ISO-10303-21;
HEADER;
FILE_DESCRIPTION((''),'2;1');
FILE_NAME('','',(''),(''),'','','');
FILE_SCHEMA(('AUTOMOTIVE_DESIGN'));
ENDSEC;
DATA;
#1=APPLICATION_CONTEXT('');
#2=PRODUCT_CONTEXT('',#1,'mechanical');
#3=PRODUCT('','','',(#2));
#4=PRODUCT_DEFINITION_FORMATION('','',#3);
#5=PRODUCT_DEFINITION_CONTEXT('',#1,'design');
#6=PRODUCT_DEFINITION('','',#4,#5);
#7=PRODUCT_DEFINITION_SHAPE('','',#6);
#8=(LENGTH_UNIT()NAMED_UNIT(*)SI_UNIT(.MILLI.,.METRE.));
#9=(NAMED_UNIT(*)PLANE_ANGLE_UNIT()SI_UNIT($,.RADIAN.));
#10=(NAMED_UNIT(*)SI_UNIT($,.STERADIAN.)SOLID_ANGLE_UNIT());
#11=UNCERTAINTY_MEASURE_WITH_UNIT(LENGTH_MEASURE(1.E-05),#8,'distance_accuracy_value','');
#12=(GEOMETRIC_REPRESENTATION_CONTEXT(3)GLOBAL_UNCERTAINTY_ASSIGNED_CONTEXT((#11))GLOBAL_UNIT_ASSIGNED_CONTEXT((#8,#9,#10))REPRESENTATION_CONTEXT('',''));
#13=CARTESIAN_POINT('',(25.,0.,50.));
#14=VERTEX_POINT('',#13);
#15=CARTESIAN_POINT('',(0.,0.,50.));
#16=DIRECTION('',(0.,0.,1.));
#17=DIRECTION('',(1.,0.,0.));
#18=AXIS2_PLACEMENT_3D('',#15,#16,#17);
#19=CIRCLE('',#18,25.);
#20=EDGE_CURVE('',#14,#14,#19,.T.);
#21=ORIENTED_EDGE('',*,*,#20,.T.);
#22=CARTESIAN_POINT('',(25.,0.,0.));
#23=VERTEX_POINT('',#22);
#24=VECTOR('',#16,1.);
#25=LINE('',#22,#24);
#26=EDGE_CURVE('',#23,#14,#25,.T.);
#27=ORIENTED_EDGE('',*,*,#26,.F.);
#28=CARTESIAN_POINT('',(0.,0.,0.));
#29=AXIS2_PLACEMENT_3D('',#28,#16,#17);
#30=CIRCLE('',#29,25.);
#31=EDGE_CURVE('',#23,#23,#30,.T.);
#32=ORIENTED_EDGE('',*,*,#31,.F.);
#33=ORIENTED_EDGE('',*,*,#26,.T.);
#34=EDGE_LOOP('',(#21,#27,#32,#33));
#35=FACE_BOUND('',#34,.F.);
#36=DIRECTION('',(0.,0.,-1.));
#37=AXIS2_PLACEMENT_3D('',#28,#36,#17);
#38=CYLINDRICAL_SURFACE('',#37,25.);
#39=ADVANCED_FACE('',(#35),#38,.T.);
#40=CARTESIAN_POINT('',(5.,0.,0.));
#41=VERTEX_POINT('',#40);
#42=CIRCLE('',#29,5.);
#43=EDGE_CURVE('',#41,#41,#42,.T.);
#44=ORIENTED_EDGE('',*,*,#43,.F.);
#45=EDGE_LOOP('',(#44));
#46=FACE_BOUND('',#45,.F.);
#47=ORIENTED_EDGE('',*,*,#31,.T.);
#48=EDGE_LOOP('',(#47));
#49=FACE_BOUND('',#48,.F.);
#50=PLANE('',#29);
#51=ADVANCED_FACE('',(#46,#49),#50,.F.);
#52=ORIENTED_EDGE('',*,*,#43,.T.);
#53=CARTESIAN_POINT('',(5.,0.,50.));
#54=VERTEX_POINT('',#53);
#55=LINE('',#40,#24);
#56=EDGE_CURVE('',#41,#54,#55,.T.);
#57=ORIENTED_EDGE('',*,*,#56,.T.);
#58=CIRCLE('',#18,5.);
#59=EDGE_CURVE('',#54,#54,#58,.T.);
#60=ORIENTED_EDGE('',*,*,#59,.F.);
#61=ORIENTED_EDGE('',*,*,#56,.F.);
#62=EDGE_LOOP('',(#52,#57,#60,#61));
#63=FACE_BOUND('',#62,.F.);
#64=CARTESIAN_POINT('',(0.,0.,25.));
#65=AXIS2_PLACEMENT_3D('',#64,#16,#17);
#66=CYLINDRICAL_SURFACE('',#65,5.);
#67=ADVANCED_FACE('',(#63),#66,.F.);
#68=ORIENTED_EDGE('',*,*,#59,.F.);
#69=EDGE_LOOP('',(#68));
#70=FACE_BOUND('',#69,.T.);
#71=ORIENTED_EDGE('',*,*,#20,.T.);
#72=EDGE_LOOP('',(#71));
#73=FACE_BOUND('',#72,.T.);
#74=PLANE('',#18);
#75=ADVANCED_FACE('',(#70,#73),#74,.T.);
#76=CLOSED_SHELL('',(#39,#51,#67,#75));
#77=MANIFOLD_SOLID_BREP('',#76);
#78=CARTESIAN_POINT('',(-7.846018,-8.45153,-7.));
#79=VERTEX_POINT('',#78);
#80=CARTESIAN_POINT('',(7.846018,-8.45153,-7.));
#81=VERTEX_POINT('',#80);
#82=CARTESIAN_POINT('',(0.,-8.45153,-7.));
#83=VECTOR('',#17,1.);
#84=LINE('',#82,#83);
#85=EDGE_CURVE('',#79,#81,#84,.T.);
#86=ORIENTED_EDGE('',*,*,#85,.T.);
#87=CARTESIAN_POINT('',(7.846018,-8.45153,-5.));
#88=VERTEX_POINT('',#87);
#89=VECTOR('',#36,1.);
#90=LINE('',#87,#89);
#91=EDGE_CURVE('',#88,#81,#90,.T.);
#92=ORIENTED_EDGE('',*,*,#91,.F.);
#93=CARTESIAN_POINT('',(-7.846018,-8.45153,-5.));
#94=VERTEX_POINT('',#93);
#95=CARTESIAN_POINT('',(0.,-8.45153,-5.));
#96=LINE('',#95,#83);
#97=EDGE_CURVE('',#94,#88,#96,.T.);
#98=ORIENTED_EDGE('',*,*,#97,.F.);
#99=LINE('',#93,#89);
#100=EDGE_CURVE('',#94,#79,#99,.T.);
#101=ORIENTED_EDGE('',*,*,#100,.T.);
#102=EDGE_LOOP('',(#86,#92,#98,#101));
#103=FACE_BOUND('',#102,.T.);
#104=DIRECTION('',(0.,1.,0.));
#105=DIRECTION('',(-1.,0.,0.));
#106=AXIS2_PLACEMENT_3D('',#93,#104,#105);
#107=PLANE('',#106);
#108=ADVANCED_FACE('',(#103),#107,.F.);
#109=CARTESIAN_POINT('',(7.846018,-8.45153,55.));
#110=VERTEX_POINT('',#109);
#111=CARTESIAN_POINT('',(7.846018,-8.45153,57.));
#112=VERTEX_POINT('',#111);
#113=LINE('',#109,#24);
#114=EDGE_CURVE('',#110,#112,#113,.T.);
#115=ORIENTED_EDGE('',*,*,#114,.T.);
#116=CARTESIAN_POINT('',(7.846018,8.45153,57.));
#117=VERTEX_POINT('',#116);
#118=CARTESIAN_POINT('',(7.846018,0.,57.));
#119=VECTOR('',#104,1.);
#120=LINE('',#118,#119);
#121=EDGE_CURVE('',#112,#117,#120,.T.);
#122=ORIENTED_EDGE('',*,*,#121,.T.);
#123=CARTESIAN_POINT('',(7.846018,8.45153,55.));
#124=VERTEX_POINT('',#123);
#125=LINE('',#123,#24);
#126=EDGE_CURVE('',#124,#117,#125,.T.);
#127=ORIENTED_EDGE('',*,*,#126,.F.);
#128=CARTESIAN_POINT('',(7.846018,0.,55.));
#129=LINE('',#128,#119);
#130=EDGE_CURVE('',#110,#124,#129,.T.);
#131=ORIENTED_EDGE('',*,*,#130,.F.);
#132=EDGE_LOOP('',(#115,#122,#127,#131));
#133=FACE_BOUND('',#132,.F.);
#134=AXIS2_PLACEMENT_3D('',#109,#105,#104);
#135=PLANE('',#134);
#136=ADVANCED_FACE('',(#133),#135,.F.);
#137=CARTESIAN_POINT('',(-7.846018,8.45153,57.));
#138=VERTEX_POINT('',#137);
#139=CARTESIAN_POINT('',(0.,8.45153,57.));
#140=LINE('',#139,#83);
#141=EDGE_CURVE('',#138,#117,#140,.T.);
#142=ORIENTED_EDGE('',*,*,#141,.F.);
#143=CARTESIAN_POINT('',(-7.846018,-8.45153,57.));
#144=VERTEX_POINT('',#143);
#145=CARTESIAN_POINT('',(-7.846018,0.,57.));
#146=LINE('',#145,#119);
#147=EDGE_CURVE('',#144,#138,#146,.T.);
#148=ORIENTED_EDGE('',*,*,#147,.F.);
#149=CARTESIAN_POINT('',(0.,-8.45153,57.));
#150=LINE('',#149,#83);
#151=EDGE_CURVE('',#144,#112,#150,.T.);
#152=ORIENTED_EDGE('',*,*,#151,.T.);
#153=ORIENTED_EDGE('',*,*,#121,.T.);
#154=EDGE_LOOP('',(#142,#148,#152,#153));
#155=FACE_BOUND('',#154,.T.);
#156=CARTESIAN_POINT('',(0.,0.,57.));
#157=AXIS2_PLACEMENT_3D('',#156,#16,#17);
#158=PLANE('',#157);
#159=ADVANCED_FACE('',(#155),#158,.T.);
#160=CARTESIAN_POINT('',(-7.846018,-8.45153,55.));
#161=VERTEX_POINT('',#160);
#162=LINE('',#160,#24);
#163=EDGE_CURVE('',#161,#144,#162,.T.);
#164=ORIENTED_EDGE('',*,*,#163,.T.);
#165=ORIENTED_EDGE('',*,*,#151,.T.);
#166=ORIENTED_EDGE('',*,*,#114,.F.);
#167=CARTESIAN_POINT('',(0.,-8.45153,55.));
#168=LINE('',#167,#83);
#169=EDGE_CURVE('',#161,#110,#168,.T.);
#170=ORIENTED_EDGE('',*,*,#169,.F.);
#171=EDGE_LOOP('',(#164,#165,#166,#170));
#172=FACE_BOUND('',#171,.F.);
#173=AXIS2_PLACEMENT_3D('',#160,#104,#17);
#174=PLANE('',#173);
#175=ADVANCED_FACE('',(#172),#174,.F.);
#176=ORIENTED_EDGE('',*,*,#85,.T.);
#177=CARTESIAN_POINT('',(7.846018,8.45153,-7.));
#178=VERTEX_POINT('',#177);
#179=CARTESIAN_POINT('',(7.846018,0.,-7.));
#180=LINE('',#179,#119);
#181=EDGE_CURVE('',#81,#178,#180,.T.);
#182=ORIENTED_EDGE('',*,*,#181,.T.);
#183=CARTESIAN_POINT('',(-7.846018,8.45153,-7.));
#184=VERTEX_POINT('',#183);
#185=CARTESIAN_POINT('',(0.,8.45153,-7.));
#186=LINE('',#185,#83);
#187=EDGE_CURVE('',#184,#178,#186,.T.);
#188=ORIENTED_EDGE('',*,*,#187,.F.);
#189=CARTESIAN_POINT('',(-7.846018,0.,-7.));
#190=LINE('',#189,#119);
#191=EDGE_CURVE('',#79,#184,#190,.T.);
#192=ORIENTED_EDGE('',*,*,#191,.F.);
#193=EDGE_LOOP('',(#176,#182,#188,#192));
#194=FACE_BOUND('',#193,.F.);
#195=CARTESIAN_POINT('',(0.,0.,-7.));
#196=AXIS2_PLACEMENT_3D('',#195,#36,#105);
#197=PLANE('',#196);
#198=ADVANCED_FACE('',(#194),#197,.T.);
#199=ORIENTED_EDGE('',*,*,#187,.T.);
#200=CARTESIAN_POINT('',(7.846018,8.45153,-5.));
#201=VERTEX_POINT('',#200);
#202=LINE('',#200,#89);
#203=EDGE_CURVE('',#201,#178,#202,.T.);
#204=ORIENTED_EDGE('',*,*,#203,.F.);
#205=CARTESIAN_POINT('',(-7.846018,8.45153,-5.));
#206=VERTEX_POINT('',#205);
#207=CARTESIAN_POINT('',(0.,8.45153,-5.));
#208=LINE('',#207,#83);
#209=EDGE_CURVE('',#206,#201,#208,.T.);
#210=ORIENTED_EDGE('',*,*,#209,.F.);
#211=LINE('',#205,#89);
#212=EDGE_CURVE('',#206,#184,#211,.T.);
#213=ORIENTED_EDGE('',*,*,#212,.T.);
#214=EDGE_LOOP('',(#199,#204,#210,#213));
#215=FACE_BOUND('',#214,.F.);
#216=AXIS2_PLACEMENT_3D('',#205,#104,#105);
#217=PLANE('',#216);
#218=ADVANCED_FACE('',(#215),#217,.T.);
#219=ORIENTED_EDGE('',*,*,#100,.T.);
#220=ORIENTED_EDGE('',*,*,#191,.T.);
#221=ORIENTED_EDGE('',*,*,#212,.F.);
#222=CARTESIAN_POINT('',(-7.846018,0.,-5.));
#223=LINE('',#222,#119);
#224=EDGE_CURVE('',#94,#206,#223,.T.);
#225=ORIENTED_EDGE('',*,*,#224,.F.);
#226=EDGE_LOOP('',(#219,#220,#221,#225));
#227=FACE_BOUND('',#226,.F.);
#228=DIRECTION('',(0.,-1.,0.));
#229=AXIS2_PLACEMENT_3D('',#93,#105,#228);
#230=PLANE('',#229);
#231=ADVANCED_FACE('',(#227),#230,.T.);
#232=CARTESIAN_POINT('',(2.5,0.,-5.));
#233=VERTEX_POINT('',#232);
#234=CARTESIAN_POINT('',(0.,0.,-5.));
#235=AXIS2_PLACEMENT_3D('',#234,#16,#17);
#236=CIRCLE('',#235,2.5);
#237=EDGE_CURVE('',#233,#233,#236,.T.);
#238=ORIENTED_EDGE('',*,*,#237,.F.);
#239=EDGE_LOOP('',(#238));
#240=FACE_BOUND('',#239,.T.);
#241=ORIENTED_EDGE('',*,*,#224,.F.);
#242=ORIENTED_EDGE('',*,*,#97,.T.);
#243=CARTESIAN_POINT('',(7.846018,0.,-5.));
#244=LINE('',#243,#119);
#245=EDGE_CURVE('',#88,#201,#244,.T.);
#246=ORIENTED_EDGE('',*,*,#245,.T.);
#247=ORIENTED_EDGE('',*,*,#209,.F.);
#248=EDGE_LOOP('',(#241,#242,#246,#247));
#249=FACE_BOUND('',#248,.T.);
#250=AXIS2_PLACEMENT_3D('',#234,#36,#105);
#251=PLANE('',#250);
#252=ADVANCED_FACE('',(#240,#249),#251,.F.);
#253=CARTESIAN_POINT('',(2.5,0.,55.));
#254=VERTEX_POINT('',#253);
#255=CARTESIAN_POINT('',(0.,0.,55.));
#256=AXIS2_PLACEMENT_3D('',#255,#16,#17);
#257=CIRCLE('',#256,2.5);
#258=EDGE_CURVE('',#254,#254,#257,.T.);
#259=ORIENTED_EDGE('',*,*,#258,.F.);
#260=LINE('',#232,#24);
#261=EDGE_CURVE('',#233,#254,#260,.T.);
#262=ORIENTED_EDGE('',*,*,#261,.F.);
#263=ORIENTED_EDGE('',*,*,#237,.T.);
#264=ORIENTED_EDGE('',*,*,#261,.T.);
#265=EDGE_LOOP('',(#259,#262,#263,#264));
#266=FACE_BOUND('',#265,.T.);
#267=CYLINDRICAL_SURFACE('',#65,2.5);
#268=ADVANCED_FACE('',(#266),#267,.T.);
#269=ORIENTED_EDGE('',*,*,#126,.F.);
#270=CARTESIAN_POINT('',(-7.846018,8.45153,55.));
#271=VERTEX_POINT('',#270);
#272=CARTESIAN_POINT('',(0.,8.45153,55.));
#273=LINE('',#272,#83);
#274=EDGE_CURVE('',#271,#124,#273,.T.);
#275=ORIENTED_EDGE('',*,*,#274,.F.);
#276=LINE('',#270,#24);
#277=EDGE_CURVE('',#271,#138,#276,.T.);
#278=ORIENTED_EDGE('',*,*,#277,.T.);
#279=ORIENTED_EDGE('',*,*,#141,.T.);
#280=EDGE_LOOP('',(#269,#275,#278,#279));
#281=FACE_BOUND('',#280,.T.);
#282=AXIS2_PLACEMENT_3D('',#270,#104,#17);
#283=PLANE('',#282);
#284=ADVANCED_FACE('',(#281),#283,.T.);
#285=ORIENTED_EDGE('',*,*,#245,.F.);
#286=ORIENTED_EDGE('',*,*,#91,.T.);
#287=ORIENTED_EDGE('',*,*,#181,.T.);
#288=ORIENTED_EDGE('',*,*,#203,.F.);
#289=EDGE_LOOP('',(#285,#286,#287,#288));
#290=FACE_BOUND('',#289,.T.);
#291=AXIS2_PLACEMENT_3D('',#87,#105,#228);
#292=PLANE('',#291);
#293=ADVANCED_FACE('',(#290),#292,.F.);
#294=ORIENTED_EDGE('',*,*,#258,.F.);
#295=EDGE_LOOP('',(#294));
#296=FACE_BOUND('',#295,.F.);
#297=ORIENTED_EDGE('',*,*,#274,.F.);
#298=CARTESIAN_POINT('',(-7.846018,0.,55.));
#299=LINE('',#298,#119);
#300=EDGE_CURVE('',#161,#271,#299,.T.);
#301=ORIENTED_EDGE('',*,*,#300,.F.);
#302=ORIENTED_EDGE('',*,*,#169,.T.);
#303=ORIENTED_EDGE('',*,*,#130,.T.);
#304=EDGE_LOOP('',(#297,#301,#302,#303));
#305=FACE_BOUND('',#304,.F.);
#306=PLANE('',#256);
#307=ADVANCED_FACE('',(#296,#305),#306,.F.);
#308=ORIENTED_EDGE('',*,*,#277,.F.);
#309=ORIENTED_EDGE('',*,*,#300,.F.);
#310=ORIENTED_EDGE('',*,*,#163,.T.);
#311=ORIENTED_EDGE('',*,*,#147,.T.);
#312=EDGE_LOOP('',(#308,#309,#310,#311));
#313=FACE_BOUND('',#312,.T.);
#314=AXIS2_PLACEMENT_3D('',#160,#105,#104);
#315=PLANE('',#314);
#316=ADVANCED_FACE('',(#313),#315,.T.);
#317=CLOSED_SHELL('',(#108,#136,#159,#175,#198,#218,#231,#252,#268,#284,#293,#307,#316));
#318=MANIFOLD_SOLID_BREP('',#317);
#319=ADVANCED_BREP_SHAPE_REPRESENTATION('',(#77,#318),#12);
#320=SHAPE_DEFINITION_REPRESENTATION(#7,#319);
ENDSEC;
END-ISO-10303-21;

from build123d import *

# Parameters (mm, degrees)
F0_R     = 25
F1_DEPTH = 50
F3_R     = 5
F4_DEPTH = 25
F5_R     = 2.5
F6_DEPTH = 30
F7_W     = 15.6920365989
F7_H     = 16.9030595571
F7_R     = 2.5
F8_DEPTH = 2


with BuildPart() as f1:
    # F0 (on Top) → F1 (new body)
    with BuildSketch(Plane.XY):
        Circle(F0_R)
    extrude(amount=F1_DEPTH)

    # F3 (on offset) → F4 (cut, symmetric)
    with BuildSketch(Plane.XY.offset(25)):
        Circle(F3_R)
    extrude(amount=F4_DEPTH, both=True, mode=Mode.SUBTRACT)


with BuildPart() as f6:
    # F5 (on offset) → F6 (new body, symmetric)
    with BuildSketch(Plane.XY.offset(25)):
        Circle(F5_R)
    extrude(amount=F6_DEPTH, both=True)

    # F7 (on face) → F8 (join)
    with BuildSketch(Plane.XY.offset(55)):
        Rectangle(F7_W, F7_H)
        Circle(F7_R, mode=Mode.SUBTRACT)
        Circle(F7_R)
    extrude(amount=F8_DEPTH)

    # F9: F6 across plane


with BuildPart() as f6_1:
    add(f6.part)
    add(f6.part.mirror(Plane.XY.offset(25)))


solid = Compound([f1.part, f6_1.part])
